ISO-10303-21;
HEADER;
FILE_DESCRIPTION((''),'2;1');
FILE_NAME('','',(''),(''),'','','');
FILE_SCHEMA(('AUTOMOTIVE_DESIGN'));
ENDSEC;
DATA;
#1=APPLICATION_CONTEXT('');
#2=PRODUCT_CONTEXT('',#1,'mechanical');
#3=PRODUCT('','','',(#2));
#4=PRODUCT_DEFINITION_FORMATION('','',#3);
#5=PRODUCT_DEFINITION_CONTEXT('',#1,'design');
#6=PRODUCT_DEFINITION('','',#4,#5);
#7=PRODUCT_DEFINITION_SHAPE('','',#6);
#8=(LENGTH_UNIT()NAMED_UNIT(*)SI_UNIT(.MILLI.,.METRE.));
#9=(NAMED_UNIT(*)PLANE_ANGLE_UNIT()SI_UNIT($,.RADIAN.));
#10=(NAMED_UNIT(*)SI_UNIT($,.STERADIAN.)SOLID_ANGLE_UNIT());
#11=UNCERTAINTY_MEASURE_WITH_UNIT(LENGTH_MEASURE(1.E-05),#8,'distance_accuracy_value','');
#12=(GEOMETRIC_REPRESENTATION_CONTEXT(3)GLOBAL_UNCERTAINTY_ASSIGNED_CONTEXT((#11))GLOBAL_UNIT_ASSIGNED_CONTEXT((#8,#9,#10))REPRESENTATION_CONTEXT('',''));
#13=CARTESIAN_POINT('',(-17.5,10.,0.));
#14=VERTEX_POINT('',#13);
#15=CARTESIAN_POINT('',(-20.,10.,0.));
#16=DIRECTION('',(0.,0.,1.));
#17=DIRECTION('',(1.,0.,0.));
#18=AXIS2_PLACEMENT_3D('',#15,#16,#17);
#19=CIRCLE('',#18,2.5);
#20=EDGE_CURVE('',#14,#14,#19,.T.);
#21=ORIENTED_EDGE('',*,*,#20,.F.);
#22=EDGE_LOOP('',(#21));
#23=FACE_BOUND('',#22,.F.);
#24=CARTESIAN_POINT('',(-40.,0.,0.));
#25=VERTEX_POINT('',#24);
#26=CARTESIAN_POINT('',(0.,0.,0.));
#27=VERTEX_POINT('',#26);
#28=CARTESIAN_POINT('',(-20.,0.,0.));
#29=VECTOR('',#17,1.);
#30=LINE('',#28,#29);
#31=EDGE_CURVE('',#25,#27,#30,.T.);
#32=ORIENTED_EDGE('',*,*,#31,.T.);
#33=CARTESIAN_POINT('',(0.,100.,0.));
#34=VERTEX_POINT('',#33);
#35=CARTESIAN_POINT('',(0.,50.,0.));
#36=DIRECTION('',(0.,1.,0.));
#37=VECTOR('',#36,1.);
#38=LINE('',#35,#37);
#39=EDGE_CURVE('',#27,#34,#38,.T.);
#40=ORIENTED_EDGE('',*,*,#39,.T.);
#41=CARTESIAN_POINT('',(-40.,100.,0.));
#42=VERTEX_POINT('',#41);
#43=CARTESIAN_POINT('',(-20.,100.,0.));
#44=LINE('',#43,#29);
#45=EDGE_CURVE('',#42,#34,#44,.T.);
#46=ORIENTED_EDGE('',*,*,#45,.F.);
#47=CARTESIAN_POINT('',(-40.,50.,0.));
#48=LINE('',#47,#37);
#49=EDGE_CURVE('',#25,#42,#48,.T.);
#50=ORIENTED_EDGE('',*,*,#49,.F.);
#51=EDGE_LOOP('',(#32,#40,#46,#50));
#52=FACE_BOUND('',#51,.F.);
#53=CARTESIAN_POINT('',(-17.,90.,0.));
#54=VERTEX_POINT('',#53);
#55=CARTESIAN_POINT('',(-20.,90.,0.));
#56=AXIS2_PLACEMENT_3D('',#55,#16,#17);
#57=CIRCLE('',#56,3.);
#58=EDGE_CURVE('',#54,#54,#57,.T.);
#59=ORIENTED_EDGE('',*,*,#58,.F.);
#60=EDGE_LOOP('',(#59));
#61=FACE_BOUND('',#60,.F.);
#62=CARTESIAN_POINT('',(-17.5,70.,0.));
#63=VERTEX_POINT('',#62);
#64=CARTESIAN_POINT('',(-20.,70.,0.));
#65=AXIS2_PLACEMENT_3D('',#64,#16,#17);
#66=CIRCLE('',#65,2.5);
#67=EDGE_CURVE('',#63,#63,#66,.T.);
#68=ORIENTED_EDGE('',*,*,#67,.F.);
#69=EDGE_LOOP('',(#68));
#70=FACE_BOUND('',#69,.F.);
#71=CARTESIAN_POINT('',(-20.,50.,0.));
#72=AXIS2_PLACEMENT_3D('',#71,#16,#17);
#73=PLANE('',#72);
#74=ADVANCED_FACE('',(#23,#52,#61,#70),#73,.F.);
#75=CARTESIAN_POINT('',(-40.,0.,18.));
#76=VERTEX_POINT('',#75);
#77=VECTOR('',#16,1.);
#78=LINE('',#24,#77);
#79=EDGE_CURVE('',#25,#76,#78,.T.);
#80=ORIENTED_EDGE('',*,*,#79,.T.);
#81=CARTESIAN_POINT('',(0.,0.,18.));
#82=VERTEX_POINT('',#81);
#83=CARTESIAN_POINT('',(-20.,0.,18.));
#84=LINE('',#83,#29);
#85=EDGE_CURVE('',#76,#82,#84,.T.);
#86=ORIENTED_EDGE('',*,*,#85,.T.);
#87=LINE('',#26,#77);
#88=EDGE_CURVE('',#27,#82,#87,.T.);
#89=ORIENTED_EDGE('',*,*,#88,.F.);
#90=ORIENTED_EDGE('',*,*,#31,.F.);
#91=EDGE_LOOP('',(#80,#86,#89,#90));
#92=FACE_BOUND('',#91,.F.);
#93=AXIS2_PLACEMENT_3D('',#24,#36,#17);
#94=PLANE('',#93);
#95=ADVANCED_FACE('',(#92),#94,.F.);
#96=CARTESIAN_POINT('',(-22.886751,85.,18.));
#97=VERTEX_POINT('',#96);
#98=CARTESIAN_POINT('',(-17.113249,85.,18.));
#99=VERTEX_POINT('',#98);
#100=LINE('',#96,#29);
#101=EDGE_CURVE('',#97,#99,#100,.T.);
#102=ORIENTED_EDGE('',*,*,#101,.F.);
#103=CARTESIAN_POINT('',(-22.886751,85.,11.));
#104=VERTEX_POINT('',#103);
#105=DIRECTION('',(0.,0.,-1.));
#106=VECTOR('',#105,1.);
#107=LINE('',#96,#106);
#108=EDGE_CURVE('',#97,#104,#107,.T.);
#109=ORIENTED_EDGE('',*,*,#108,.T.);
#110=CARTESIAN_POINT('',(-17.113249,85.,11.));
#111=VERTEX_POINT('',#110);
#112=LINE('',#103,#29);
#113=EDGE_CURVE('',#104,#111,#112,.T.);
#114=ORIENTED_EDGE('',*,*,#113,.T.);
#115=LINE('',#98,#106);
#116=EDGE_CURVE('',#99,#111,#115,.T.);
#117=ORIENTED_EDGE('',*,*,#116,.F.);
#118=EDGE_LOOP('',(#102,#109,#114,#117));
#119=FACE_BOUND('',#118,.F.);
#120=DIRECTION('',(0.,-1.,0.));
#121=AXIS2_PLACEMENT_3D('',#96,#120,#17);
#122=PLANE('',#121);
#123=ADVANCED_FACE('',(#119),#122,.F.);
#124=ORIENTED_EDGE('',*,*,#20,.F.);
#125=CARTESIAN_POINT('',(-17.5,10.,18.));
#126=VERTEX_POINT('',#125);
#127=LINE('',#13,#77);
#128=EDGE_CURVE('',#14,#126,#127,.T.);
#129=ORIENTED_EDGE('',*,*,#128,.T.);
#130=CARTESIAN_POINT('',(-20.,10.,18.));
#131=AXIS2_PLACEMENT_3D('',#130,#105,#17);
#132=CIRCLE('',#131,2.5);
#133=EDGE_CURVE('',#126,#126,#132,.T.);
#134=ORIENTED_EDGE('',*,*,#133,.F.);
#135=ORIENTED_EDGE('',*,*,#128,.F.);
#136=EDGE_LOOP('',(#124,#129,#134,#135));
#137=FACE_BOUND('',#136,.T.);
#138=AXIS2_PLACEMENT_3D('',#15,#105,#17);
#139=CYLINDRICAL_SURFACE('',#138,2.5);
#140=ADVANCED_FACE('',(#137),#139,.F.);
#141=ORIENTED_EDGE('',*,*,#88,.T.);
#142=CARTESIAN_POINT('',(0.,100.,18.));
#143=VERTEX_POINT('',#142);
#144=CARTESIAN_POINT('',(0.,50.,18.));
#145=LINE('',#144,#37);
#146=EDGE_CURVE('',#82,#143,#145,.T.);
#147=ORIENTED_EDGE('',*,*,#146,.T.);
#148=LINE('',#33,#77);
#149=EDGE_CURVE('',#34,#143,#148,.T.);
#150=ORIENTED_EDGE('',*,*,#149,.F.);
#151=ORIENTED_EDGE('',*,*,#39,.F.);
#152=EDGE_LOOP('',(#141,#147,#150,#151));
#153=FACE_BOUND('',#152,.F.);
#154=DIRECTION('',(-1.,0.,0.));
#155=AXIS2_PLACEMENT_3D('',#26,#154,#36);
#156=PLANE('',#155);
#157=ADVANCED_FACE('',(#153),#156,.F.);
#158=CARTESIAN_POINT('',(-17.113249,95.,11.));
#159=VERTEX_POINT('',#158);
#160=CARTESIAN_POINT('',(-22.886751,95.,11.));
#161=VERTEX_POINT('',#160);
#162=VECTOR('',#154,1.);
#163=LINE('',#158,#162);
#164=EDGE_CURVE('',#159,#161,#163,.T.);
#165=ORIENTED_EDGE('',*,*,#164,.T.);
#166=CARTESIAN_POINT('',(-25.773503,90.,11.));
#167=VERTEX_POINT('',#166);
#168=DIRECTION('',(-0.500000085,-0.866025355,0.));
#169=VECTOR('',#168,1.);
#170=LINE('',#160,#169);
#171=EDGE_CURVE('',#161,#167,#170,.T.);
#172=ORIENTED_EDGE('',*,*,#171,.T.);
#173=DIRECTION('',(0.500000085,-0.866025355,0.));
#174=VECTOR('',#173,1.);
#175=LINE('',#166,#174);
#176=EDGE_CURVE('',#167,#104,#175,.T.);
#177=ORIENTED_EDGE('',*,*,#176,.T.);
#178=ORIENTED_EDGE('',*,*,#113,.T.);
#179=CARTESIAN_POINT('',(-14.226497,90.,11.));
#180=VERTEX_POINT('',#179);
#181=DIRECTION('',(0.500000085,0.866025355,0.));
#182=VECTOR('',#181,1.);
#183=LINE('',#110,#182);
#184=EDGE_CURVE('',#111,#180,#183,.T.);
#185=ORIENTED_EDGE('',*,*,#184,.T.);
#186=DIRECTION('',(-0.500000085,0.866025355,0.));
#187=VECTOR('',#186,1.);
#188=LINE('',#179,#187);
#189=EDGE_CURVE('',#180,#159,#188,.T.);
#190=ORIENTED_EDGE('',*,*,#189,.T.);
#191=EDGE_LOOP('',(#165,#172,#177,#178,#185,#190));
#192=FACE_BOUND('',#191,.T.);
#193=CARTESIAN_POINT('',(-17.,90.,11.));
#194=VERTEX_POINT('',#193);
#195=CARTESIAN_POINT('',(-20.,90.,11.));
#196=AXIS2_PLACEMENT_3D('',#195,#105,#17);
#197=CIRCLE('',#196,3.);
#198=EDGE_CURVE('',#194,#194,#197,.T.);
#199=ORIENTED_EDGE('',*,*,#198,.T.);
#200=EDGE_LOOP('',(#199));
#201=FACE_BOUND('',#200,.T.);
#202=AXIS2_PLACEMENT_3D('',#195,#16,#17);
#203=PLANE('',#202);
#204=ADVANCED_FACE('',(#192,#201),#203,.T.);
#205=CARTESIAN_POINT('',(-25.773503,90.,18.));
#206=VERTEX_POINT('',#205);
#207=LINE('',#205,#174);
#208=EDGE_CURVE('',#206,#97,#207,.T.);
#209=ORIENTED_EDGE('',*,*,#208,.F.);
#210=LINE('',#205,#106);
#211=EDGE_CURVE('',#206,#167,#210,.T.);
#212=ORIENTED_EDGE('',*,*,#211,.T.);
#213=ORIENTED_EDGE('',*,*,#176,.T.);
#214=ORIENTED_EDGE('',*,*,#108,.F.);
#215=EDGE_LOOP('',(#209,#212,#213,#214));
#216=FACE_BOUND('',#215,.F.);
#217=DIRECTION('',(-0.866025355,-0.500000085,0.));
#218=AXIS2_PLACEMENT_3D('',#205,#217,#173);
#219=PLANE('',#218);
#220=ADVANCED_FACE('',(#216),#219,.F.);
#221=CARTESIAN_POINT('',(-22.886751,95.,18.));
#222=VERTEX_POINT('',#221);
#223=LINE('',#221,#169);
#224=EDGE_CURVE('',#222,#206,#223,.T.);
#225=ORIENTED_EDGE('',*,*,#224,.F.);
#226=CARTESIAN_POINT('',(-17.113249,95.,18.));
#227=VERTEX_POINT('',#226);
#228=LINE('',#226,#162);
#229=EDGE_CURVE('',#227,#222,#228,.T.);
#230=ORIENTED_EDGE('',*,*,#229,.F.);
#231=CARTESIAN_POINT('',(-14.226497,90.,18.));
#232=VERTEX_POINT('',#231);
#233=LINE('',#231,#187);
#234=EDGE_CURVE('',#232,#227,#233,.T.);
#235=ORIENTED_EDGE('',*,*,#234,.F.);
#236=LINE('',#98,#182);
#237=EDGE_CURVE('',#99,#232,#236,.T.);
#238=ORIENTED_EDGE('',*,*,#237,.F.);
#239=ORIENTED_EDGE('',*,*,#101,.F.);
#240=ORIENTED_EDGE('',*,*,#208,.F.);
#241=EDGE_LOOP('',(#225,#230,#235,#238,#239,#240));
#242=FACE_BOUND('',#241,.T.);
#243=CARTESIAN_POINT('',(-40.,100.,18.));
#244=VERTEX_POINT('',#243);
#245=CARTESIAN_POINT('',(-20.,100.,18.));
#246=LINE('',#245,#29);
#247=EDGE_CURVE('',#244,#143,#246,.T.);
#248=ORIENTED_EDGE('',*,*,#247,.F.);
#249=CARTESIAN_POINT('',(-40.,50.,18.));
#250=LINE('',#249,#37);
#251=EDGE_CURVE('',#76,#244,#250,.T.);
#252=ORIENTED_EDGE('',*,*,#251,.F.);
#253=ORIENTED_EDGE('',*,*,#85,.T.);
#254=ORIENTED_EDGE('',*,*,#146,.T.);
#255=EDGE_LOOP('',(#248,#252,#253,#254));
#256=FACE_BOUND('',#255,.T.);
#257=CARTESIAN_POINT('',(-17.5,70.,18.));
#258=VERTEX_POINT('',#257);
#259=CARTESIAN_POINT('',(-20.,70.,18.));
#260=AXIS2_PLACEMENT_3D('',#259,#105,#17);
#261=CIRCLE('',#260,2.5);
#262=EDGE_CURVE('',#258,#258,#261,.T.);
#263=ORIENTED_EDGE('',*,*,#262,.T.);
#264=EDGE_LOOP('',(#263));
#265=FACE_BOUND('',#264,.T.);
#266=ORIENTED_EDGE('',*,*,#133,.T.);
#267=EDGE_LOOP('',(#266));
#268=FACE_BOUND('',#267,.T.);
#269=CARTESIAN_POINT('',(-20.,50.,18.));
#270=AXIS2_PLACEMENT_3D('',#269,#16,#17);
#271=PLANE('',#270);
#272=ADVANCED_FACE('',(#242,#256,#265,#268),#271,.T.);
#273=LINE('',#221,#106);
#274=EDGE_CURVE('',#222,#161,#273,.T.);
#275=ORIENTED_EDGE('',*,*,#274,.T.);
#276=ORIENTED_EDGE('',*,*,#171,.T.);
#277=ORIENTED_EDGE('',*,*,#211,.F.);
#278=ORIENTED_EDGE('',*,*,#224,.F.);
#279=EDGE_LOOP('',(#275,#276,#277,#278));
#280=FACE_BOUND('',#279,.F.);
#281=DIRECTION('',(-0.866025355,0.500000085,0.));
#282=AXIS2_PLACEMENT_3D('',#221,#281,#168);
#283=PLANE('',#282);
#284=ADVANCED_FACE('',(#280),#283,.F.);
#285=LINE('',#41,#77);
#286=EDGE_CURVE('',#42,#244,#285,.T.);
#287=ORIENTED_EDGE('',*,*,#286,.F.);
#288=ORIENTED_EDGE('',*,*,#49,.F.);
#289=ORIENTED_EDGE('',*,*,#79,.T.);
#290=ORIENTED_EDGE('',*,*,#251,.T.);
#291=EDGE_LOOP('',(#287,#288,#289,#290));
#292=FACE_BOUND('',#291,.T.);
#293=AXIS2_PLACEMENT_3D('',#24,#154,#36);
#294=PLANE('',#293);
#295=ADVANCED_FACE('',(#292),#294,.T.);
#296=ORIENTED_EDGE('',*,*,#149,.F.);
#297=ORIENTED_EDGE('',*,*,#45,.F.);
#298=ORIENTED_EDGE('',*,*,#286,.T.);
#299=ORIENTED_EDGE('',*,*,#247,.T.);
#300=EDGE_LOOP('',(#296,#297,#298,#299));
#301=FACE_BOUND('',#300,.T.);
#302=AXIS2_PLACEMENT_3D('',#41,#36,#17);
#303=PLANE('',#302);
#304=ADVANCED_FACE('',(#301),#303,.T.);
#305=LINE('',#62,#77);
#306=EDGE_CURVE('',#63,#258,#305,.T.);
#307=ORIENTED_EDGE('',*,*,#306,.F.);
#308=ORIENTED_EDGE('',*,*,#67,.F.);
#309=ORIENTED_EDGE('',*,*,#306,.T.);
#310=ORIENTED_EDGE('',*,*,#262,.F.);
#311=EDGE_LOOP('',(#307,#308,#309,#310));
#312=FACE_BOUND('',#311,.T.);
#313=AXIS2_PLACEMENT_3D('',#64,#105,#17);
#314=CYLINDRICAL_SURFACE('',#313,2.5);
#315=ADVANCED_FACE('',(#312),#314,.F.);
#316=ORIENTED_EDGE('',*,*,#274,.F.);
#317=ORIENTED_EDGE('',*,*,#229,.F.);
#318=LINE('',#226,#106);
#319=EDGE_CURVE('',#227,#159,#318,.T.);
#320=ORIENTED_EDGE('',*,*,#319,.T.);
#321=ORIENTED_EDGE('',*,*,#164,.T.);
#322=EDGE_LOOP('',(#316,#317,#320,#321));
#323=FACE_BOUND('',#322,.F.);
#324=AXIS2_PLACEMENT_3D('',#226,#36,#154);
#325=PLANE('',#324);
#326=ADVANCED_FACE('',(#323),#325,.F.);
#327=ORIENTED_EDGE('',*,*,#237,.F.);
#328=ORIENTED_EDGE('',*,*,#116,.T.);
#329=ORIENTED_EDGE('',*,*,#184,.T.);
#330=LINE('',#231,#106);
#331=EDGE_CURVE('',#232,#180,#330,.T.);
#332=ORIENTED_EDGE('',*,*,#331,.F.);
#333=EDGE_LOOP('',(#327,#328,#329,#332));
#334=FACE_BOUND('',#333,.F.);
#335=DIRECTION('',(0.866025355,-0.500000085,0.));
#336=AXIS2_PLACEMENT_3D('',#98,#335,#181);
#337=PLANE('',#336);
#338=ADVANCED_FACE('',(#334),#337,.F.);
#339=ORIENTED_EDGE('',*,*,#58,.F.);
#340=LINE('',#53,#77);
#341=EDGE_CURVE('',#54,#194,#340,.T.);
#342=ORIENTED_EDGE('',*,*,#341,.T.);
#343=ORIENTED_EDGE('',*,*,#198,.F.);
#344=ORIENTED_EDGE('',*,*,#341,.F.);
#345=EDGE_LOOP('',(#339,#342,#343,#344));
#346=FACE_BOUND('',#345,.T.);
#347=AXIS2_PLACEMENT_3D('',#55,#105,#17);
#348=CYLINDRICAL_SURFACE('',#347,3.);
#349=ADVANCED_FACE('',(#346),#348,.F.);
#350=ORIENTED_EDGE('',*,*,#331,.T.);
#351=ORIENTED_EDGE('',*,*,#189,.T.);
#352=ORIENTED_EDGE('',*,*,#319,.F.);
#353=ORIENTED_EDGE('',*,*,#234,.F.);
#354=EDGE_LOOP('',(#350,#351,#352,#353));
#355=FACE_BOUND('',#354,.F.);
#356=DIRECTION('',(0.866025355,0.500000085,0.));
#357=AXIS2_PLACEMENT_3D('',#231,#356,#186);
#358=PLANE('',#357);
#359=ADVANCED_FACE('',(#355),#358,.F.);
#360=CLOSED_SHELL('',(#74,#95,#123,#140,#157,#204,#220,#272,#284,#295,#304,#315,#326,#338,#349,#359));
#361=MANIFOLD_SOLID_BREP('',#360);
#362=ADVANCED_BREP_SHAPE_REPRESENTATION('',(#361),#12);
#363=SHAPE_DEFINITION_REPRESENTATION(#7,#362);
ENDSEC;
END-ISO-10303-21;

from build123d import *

# Parameters (mm, degrees)
SKETCH062_W          = 40
SKETCH062_H          = 100
PAD005_DEPTH         = 18
SKETCH063_R          = 3
SKETCH063_R_2        = 2.5
POCKET035_DEPTH      = 0.001
POCKET035_DEPTH_BACK = 18.001
POCKET041_DEPTH      = 7


with BuildPart() as part:
    # Sketch062 → Pad005 (new body)
    with BuildSketch(Plane.XY):
        Rectangle(SKETCH062_W, SKETCH062_H)
    extrude(amount=PAD005_DEPTH)

    # Sketch063 → Pocket035 (cut, two sides)
    with BuildSketch(Plane.XY) as pocket035_sk:
        with Locations((0, 40)):
            Circle(SKETCH063_R)
        with Locations((0, 20)):
            Circle(SKETCH063_R_2)
        with Locations((0, -40)):
            Circle(SKETCH063_R_2)
    extrude(amount=-POCKET035_DEPTH, mode=Mode.SUBTRACT)
    extrude(pocket035_sk.sketch, amount=POCKET035_DEPTH_BACK, mode=Mode.SUBTRACT)

    # Sketch092 → Pocket041 (cut)
    with BuildSketch(Plane(origin=(0, 40, 18), x_dir=(1, 0, 0), z_dir=(0, 0, 1))):
        Polygon((5.773503, 0), (2.886751, 5), (-2.886751, 5), (-5.773503, 0), (-2.886751, -5), (2.886751, -5), align=None)
    extrude(amount=-POCKET041_DEPTH, mode=Mode.SUBTRACT)


with BuildPart() as part_1:
    # Clone027 placement: moved
    add(part.part.moved(Location((-20, 50, 0))))


solid = part_1.part
